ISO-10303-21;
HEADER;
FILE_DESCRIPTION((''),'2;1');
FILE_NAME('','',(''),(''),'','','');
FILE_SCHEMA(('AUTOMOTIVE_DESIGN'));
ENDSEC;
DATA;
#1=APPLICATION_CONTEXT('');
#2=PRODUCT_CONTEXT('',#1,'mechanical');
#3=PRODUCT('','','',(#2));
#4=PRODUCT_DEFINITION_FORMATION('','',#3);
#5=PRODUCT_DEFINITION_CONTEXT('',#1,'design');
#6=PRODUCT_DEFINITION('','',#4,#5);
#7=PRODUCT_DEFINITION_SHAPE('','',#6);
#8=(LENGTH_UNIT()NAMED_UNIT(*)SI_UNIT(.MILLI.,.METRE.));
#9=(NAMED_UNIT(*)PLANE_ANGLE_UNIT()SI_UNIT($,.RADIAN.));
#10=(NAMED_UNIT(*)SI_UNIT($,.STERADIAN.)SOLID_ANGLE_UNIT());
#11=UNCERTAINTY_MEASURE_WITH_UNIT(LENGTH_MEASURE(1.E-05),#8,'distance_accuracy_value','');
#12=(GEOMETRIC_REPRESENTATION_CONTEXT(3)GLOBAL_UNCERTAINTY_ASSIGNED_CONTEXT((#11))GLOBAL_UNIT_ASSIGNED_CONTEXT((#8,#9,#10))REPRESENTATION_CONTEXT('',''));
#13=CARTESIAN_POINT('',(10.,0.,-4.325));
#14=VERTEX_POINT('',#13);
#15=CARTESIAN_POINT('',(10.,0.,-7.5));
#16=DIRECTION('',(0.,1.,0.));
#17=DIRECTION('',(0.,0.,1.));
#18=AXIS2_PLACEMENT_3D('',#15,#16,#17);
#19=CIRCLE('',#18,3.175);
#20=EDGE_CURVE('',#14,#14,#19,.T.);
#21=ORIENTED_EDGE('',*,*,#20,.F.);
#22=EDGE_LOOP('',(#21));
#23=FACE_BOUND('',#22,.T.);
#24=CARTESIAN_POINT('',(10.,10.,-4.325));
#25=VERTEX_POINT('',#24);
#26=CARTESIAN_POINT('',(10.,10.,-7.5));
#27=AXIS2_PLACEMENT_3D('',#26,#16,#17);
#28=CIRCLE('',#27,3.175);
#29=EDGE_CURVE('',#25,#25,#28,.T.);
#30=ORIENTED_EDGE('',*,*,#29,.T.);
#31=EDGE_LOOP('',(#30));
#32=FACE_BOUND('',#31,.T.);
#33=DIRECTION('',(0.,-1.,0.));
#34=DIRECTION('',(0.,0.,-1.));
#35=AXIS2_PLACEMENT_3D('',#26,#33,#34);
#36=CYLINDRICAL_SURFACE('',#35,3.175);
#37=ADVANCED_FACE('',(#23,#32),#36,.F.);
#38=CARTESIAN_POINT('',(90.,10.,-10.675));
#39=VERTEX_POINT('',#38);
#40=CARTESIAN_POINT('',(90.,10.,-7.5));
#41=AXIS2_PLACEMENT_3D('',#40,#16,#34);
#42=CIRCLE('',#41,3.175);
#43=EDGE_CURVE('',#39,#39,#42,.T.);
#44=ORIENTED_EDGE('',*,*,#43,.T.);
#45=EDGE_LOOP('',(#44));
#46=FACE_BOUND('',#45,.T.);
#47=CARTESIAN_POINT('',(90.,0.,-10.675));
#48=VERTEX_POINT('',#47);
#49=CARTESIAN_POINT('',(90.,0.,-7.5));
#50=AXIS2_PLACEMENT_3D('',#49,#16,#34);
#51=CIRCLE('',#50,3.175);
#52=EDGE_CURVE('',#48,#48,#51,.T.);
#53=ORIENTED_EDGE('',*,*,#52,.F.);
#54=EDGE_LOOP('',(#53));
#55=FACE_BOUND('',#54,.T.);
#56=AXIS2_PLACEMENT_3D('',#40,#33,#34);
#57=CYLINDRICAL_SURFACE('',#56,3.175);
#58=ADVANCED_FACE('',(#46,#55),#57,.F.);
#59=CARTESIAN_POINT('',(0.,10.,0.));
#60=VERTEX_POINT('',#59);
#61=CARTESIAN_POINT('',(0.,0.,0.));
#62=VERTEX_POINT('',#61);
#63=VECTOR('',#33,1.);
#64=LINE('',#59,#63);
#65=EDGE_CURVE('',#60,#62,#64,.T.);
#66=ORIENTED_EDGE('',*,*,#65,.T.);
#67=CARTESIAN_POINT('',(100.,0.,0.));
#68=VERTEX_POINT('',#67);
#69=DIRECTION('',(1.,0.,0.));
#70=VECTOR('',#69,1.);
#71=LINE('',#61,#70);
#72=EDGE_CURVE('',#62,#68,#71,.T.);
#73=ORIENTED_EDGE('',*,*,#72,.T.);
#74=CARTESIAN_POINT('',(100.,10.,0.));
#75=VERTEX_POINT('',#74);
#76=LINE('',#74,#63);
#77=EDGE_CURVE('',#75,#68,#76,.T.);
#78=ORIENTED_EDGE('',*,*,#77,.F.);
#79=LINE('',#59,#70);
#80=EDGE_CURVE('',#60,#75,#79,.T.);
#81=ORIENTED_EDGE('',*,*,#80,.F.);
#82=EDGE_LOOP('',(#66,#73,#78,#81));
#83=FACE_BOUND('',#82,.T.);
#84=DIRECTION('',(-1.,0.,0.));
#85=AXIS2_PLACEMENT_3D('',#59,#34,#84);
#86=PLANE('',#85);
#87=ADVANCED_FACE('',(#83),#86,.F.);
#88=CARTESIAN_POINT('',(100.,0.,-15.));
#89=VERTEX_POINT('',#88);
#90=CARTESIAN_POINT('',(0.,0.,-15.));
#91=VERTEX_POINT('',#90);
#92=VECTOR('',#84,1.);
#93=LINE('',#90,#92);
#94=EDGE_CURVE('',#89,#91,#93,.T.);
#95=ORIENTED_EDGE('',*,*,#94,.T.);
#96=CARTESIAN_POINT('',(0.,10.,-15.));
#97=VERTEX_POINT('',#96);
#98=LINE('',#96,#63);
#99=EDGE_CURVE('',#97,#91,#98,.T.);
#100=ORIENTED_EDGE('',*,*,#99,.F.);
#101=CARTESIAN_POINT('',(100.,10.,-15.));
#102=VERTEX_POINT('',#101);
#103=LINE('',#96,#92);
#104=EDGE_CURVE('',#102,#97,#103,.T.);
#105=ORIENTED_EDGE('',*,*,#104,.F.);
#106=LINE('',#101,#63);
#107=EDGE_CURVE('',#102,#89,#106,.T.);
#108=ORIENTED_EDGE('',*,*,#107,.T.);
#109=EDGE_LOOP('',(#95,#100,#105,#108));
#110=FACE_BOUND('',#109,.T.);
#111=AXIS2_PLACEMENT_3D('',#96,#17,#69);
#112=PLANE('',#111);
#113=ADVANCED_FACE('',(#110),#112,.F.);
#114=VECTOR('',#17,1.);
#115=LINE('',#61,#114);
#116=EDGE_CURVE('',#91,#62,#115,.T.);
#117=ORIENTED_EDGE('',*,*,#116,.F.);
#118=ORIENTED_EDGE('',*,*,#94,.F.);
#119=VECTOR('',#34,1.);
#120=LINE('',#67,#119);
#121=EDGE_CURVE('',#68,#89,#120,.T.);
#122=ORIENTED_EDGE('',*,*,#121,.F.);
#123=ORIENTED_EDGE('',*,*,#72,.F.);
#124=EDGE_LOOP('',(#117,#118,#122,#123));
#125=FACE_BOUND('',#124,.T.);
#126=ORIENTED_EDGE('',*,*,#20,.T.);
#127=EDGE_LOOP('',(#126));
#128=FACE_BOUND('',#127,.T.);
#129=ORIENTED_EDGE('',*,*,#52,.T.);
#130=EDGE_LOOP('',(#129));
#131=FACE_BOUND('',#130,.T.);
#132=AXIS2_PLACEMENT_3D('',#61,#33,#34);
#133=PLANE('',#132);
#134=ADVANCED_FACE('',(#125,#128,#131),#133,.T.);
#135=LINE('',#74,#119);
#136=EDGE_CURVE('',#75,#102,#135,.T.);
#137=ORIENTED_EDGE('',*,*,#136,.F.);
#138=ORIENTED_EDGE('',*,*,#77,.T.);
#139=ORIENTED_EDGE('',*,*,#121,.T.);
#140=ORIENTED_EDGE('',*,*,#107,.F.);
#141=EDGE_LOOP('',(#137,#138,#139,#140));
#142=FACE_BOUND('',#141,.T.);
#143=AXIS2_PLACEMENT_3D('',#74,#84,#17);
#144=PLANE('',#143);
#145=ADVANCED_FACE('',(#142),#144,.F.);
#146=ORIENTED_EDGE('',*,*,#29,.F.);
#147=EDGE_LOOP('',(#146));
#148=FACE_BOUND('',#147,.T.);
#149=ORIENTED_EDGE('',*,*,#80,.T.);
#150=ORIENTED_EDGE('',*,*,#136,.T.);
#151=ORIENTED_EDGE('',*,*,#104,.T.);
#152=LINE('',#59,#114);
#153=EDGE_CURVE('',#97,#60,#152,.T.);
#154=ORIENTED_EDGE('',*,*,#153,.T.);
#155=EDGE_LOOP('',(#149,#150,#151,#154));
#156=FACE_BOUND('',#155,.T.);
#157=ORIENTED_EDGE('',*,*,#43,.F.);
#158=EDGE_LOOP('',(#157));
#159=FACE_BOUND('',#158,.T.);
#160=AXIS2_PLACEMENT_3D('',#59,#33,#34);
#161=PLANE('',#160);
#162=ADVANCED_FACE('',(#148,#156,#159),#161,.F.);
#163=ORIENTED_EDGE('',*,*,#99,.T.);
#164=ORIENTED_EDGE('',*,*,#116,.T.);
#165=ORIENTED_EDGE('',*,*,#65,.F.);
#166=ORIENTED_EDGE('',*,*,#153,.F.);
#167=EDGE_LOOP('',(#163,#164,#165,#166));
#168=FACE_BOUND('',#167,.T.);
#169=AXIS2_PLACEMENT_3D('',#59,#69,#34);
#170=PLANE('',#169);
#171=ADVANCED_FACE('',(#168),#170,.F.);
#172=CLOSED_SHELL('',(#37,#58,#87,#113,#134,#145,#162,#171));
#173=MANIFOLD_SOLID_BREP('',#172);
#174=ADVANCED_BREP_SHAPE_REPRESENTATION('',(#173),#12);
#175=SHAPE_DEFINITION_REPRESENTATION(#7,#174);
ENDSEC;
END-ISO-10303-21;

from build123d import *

# Parameters (mm, degrees)
SKETCH1_W           = 100
SKETCH1_H           = 15
SKETCH1_R           = 3.175
BOSS_EXTRUDE1_DEPTH = 10


with BuildPart() as part:
    # Sketch1 → Boss-Extrude1 (new body)
    with BuildSketch(Plane(origin=(0, 0, 0), x_dir=(1, 0, 0), z_dir=(0, 1, 0))):
        with Locations((50, 7.5)):
            Rectangle(SKETCH1_W, SKETCH1_H)
        with Locations(Location((10, 7.5, 0), (0, 0, 270))):
            Circle(SKETCH1_R, mode=Mode.SUBTRACT)
        with Locations(Location((90, 7.5, 0), (0, 0, 90))):
            Circle(SKETCH1_R, mode=Mode.SUBTRACT)
    extrude(amount=BOSS_EXTRUDE1_DEPTH)


solid = part.part
